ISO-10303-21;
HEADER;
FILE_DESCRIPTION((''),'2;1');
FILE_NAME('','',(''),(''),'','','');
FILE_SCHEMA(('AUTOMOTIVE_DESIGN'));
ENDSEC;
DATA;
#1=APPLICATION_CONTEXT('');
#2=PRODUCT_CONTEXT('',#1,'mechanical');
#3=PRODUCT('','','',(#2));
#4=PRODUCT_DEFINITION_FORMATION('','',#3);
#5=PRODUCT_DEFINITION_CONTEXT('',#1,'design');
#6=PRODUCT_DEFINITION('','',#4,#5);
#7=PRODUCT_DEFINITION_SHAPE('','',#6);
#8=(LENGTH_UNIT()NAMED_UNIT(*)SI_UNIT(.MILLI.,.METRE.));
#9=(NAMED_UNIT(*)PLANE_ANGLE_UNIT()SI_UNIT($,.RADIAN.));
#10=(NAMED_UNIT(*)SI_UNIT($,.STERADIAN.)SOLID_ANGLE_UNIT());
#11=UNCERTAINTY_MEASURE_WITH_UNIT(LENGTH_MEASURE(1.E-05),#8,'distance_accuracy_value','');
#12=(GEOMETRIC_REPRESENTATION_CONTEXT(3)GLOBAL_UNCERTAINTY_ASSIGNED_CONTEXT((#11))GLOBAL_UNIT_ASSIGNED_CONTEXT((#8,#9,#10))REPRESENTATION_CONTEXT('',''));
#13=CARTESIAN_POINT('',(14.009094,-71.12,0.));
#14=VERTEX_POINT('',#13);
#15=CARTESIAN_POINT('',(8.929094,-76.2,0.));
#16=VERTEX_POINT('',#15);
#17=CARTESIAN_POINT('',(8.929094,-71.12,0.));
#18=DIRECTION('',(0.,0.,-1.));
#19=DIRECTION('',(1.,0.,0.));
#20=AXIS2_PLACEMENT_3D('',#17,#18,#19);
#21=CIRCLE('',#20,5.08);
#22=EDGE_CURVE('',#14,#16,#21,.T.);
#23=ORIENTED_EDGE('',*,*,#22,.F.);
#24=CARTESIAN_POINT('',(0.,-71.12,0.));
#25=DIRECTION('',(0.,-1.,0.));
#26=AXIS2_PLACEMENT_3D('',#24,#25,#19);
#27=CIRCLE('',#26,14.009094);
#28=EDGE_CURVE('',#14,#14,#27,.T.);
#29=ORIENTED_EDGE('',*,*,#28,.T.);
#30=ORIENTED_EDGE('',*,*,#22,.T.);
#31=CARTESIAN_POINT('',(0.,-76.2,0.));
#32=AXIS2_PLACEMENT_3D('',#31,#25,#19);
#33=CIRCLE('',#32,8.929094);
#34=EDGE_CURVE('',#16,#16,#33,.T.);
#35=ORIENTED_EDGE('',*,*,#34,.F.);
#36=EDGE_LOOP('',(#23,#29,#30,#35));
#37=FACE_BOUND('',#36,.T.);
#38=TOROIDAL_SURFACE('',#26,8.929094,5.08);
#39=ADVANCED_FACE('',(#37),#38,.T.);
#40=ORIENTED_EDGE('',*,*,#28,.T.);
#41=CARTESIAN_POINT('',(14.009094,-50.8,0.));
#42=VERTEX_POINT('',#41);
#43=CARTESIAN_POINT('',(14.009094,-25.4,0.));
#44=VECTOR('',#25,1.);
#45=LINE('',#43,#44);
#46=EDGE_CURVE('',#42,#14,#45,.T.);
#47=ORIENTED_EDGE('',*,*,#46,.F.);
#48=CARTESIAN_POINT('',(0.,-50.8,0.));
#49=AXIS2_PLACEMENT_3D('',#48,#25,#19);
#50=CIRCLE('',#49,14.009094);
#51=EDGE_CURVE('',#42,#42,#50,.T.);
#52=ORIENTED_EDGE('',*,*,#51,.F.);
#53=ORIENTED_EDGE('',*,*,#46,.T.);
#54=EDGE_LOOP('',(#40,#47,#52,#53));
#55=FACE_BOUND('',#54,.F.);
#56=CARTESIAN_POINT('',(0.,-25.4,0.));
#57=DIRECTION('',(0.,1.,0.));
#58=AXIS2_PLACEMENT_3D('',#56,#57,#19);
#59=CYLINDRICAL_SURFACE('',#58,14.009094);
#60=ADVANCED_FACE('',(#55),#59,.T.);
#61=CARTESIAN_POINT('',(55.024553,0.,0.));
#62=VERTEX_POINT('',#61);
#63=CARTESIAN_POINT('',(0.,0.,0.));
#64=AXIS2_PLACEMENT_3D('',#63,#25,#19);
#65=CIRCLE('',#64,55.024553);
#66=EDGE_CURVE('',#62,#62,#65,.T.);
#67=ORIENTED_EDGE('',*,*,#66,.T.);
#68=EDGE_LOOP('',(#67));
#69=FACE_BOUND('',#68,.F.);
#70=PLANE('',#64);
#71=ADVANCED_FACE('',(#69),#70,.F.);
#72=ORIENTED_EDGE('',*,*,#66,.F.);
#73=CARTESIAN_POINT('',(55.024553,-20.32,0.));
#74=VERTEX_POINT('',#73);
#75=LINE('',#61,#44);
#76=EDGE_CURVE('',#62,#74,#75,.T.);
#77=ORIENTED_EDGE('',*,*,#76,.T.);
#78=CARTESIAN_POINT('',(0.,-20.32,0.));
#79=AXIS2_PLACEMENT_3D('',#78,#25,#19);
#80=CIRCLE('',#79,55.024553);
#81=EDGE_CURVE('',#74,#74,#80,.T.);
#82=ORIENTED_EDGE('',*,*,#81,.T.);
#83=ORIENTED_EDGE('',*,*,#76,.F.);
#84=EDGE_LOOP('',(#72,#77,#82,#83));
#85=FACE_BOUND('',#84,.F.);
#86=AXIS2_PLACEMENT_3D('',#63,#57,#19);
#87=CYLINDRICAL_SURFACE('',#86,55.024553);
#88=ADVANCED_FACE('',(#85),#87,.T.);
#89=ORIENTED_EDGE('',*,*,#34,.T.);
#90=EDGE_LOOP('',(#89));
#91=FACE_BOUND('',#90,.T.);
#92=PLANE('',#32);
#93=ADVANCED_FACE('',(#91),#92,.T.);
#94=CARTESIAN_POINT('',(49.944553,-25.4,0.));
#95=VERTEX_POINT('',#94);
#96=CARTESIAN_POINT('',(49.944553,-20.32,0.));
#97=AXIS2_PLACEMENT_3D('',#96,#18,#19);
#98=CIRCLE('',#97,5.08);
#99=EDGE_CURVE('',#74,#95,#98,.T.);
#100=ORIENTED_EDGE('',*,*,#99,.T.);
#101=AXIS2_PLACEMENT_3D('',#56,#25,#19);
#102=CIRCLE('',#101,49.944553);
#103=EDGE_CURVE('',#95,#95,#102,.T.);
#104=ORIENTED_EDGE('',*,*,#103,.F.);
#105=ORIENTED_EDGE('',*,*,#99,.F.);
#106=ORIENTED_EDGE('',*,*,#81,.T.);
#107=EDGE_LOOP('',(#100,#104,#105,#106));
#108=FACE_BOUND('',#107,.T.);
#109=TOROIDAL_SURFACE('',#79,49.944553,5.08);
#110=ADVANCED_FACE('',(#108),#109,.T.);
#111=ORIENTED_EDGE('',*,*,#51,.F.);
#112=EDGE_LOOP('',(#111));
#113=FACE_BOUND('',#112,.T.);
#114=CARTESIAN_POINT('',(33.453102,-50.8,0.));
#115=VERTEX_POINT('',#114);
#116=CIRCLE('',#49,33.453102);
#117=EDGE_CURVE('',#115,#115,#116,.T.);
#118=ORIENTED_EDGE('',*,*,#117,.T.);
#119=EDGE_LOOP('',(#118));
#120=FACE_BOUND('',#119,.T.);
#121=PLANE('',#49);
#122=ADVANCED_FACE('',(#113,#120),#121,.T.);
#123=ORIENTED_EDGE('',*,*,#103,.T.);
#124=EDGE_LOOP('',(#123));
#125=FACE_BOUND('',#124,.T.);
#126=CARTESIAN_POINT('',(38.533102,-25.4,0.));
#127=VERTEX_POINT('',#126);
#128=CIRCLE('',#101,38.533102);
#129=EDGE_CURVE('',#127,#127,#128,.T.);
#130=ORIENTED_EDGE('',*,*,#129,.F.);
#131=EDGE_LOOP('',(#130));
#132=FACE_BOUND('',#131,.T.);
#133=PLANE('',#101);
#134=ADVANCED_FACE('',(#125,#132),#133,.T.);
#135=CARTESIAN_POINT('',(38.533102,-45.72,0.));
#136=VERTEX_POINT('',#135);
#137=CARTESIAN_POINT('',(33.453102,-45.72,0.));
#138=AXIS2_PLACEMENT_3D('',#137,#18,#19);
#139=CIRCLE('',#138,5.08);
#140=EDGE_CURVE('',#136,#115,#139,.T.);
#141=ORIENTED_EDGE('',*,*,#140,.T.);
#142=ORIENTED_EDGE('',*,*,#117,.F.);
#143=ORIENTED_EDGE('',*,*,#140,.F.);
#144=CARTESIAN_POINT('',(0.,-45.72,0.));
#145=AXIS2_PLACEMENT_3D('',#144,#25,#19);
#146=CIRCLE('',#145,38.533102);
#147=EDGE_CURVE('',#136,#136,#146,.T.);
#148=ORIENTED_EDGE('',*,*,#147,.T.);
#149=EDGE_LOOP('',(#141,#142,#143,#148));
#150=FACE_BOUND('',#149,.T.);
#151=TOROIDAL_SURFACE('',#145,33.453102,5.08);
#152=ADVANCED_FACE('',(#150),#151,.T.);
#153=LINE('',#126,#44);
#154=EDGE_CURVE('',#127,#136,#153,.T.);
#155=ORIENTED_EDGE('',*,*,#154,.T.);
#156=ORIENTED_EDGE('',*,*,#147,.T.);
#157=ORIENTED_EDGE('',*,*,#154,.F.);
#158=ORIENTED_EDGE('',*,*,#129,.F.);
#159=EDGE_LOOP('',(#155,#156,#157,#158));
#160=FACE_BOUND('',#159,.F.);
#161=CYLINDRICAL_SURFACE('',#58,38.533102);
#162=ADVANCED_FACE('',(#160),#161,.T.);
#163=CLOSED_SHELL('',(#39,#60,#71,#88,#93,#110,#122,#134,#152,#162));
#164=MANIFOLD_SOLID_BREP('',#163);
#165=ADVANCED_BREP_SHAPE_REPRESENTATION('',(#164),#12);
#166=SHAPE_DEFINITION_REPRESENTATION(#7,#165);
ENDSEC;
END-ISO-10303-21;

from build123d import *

# Parameters (mm, degrees)
F0_R      = 55.024553
F1_DEPTH  = 25.4
F2_R      = 38.533102
F2_R_2    = 14.009094
F3_DEPTH  = 25.4
F4_R      = 5.08
F3_FACE_R = 14.009094
F5_DEPTH  = 50.8
F6_R      = 5.08


with BuildPart() as f1:
    # F0 (on Front) → F1 (new body)
    with BuildSketch(Plane.XZ):
        Circle(F0_R)
    extrude(amount=F1_DEPTH)

    # F2 (on face) → F3 (join)
    with BuildSketch(Plane.XZ.offset(25.4)):
        Circle(F2_R)
        Circle(F2_R_2, mode=Mode.SUBTRACT)
    extrude(amount=F3_DEPTH)

    # F4
    f4_edges = [f1.edges().sort_by_distance(p)[0] for p in [
        (-55.024553, -25.4, 0),
        (-38.533102, -50.8, 0),
    ]]
    fillet(f4_edges, radius=F4_R)

    # F3_face (on face) → F5 (join)
    with BuildSketch(Plane.XZ.offset(25.4)):
        Circle(F3_FACE_R)
    extrude(amount=F5_DEPTH)

    # F6
    f6_edges = [f1.edges().sort_by_distance(p)[0] for p in [
        (-14.009094, -76.2, 0),
    ]]
    fillet(f6_edges, radius=F6_R)


solid = f1.part
